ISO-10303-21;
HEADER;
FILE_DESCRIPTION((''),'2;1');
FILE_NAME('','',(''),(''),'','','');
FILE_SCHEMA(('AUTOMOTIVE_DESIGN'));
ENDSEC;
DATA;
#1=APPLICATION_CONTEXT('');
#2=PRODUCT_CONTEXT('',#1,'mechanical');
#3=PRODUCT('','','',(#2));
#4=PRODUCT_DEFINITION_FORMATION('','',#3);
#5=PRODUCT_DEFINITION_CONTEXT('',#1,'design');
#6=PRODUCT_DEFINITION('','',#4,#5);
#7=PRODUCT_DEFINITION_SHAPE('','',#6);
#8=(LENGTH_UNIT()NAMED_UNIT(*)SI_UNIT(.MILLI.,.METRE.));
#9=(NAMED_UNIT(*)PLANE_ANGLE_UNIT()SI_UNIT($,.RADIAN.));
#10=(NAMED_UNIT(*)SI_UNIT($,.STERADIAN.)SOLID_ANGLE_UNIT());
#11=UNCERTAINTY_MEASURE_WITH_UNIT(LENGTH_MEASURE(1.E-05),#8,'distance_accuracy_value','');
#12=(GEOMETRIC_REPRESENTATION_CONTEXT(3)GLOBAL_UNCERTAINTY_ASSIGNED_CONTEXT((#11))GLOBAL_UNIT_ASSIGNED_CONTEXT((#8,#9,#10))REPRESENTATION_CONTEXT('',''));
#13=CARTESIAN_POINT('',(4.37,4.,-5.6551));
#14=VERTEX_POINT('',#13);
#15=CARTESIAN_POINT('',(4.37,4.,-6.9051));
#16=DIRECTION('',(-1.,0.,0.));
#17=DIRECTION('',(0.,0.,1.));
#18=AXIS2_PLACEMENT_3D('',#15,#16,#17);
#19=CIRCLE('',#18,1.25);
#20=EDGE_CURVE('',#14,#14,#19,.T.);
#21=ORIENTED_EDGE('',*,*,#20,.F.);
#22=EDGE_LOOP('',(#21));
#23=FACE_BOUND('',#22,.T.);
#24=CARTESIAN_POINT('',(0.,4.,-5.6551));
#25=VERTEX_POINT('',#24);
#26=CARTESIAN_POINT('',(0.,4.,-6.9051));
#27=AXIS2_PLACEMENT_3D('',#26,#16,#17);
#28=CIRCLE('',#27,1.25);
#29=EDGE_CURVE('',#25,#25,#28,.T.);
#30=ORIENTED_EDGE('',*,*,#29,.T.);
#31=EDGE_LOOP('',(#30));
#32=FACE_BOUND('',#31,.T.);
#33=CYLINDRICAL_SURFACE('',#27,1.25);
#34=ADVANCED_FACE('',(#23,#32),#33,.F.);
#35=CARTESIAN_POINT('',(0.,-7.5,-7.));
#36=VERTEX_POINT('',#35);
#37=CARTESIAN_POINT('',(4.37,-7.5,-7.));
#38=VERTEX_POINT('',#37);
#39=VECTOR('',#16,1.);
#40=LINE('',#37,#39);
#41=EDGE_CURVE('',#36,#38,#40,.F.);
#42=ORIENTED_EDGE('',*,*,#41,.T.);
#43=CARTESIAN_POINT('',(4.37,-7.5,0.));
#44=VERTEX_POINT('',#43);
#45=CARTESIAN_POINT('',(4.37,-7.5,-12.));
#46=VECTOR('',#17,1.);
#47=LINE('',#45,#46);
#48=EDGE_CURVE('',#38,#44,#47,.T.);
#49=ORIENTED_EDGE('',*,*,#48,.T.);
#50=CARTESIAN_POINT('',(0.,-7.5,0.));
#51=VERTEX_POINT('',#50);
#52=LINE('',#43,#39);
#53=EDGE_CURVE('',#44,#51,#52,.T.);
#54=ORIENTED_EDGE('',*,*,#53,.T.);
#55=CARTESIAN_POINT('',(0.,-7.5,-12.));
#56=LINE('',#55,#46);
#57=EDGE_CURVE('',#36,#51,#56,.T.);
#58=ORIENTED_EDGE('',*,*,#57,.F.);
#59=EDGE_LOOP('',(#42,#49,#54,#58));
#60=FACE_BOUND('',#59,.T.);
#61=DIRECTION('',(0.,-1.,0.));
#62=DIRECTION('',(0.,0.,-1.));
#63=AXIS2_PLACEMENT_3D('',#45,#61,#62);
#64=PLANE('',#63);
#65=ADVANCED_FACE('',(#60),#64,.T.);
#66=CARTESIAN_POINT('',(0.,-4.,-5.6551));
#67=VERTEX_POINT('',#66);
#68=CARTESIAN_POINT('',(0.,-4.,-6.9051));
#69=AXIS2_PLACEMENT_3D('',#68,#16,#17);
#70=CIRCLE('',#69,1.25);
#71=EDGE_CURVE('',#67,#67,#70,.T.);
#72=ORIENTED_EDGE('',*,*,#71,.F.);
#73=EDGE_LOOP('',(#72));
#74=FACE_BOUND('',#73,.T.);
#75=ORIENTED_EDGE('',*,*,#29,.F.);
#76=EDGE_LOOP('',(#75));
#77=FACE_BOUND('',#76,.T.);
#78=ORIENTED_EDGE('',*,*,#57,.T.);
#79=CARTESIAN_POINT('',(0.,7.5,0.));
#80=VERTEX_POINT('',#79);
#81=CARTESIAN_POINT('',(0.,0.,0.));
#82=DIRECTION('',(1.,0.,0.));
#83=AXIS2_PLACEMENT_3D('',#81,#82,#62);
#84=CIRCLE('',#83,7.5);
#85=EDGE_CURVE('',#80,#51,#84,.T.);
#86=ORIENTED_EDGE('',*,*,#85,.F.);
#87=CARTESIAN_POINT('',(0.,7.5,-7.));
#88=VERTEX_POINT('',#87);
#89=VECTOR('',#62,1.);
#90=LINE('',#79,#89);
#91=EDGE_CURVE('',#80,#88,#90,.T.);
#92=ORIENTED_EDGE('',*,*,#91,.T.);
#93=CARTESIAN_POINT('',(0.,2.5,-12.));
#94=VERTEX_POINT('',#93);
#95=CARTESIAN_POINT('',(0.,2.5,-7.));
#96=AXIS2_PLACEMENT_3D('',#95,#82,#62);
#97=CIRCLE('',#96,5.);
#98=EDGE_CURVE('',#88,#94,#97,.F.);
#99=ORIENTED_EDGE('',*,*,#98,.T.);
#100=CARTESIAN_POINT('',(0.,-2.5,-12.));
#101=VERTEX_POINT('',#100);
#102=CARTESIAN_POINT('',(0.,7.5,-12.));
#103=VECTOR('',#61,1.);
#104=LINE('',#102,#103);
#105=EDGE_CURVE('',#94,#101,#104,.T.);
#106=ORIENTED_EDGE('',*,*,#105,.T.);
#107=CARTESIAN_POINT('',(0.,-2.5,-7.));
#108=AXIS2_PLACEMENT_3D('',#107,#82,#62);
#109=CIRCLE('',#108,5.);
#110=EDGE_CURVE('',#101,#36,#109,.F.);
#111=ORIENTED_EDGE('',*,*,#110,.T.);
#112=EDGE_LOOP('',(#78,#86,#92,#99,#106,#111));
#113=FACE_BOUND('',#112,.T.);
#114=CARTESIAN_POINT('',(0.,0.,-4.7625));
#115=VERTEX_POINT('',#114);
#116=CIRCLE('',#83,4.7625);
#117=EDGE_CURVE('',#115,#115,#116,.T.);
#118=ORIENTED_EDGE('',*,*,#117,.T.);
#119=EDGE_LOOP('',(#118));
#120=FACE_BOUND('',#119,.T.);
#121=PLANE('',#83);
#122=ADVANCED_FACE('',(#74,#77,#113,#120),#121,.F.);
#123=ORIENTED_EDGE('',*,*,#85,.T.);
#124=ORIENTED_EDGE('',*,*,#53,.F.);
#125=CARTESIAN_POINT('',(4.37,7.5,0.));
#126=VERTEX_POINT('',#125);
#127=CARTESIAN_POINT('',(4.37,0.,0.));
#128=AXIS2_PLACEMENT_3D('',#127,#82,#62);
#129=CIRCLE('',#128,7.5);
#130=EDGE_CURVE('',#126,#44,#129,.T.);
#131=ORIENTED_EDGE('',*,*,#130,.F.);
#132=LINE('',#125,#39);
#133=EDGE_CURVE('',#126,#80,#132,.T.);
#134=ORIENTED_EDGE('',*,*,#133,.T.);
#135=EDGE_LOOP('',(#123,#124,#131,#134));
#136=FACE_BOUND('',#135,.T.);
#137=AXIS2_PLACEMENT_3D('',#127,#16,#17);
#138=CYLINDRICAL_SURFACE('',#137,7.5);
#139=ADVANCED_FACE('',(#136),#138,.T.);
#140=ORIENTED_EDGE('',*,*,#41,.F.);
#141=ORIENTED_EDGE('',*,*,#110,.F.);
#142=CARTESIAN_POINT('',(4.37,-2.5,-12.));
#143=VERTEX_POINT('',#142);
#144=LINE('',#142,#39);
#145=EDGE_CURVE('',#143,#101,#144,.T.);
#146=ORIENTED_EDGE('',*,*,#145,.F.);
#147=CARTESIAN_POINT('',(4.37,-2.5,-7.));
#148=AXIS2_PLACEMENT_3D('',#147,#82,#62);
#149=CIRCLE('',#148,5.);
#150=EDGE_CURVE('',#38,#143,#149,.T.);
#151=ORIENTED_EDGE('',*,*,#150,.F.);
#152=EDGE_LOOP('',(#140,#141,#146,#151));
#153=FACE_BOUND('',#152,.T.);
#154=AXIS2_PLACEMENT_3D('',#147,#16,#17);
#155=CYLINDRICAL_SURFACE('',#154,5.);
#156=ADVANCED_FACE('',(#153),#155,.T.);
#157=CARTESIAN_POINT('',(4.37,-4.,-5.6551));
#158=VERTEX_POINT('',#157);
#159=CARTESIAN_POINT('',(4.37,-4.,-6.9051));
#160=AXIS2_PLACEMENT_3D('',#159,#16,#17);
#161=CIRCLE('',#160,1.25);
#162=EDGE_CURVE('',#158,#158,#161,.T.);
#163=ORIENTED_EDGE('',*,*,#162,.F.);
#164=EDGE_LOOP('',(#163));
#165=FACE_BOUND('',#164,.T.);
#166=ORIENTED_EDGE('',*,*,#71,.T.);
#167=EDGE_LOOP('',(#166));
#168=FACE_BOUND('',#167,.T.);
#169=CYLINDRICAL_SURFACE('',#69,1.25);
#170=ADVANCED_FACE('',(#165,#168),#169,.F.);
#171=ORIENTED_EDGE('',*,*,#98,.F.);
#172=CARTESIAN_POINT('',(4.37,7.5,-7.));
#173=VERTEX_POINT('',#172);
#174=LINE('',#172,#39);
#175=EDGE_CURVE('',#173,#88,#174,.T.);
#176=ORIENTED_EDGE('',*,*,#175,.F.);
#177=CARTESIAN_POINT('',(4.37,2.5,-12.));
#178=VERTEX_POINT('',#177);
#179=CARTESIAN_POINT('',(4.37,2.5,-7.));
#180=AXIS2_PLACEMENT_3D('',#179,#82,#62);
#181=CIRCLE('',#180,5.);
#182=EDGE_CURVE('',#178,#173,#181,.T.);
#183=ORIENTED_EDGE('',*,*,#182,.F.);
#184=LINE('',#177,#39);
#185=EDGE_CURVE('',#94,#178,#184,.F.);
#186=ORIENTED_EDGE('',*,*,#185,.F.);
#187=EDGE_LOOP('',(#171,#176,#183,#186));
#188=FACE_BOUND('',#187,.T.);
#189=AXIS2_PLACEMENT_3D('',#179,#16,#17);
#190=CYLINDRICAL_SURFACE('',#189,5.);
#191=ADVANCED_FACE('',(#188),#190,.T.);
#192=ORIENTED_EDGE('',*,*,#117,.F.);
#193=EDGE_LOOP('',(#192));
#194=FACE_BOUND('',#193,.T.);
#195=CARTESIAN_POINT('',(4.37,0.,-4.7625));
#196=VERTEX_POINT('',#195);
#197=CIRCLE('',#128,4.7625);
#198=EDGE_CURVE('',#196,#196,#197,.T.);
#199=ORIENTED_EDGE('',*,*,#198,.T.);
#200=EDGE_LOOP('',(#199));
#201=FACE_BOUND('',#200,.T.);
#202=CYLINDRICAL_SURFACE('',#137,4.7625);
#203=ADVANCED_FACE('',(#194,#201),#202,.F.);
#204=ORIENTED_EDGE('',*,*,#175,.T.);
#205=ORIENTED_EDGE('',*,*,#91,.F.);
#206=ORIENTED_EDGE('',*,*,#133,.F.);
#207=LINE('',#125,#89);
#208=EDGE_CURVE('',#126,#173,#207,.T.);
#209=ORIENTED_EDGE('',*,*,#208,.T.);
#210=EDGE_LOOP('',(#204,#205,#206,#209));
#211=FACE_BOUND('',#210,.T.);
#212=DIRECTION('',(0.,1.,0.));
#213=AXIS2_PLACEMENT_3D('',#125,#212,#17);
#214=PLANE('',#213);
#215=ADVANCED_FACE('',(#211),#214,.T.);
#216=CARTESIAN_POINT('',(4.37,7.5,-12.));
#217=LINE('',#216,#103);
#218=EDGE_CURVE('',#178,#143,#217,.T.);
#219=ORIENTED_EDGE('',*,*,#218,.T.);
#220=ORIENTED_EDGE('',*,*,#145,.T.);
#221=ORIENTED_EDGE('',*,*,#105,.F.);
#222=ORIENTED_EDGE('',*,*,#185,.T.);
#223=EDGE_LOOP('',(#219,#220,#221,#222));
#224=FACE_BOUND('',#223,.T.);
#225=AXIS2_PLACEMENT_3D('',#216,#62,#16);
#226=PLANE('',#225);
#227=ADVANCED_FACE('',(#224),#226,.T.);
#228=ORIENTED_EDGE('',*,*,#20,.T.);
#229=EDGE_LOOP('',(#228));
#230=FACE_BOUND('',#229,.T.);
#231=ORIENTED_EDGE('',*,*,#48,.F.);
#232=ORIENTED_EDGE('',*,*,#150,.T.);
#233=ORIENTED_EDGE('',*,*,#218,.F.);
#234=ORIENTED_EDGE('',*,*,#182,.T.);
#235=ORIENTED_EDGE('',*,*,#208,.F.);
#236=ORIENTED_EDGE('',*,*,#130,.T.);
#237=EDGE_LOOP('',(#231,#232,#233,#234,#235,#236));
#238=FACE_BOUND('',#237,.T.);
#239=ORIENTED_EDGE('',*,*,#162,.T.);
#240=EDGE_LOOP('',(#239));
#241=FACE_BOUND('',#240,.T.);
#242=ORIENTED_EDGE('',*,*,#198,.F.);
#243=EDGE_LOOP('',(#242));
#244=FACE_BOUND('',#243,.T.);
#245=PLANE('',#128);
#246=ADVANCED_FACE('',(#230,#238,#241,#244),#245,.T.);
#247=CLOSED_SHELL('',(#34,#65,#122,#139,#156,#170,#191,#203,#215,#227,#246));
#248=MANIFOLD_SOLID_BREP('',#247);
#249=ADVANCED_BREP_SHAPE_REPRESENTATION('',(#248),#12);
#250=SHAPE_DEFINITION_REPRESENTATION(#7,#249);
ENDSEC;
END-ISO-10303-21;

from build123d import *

# Parameters (mm, degrees)
SKETCH1_R             = 4.7625
BOSS_EXTRUDE1_DEPTH   = 4.37
FILLET1_R             = 5
M3X0_5_TAPPED_HOLE1_D = 2.5


with BuildPart() as part:
    # Sketch1 → Boss-Extrude1 (new body)
    with BuildSketch(Plane(origin=(0, 0, 0), x_dir=(0, 0, -1), z_dir=(1, 0, 0))):
        with BuildLine():
            Line((0, 7.5), (12, 7.5))
            Line((12, 7.5), (12, -7.5))
            Line((12, -7.5), (0, -7.5))
            ThreePointArc((0, -7.5), (-7.5, 0), (0, 7.5))
        make_face()
        Circle(SKETCH1_R, mode=Mode.SUBTRACT)
    extrude(amount=BOSS_EXTRUDE1_DEPTH)

    # Fillet1
    fillet1_edges = [part.edges().sort_by_distance(p)[0] for p in [
        (2.185, -7.5, -12),
        (2.185, 7.5, -12),
    ]]
    fillet(fillet1_edges, radius=FILLET1_R)

    # M3x0.5 Tapped Hole1 (through all)
    with Locations(Plane.ZY):
        with Locations((-6.905099565, 4), (-6.905099565, -4)):
            Hole(M3X0_5_TAPPED_HOLE1_D / 2)


solid = part.part
